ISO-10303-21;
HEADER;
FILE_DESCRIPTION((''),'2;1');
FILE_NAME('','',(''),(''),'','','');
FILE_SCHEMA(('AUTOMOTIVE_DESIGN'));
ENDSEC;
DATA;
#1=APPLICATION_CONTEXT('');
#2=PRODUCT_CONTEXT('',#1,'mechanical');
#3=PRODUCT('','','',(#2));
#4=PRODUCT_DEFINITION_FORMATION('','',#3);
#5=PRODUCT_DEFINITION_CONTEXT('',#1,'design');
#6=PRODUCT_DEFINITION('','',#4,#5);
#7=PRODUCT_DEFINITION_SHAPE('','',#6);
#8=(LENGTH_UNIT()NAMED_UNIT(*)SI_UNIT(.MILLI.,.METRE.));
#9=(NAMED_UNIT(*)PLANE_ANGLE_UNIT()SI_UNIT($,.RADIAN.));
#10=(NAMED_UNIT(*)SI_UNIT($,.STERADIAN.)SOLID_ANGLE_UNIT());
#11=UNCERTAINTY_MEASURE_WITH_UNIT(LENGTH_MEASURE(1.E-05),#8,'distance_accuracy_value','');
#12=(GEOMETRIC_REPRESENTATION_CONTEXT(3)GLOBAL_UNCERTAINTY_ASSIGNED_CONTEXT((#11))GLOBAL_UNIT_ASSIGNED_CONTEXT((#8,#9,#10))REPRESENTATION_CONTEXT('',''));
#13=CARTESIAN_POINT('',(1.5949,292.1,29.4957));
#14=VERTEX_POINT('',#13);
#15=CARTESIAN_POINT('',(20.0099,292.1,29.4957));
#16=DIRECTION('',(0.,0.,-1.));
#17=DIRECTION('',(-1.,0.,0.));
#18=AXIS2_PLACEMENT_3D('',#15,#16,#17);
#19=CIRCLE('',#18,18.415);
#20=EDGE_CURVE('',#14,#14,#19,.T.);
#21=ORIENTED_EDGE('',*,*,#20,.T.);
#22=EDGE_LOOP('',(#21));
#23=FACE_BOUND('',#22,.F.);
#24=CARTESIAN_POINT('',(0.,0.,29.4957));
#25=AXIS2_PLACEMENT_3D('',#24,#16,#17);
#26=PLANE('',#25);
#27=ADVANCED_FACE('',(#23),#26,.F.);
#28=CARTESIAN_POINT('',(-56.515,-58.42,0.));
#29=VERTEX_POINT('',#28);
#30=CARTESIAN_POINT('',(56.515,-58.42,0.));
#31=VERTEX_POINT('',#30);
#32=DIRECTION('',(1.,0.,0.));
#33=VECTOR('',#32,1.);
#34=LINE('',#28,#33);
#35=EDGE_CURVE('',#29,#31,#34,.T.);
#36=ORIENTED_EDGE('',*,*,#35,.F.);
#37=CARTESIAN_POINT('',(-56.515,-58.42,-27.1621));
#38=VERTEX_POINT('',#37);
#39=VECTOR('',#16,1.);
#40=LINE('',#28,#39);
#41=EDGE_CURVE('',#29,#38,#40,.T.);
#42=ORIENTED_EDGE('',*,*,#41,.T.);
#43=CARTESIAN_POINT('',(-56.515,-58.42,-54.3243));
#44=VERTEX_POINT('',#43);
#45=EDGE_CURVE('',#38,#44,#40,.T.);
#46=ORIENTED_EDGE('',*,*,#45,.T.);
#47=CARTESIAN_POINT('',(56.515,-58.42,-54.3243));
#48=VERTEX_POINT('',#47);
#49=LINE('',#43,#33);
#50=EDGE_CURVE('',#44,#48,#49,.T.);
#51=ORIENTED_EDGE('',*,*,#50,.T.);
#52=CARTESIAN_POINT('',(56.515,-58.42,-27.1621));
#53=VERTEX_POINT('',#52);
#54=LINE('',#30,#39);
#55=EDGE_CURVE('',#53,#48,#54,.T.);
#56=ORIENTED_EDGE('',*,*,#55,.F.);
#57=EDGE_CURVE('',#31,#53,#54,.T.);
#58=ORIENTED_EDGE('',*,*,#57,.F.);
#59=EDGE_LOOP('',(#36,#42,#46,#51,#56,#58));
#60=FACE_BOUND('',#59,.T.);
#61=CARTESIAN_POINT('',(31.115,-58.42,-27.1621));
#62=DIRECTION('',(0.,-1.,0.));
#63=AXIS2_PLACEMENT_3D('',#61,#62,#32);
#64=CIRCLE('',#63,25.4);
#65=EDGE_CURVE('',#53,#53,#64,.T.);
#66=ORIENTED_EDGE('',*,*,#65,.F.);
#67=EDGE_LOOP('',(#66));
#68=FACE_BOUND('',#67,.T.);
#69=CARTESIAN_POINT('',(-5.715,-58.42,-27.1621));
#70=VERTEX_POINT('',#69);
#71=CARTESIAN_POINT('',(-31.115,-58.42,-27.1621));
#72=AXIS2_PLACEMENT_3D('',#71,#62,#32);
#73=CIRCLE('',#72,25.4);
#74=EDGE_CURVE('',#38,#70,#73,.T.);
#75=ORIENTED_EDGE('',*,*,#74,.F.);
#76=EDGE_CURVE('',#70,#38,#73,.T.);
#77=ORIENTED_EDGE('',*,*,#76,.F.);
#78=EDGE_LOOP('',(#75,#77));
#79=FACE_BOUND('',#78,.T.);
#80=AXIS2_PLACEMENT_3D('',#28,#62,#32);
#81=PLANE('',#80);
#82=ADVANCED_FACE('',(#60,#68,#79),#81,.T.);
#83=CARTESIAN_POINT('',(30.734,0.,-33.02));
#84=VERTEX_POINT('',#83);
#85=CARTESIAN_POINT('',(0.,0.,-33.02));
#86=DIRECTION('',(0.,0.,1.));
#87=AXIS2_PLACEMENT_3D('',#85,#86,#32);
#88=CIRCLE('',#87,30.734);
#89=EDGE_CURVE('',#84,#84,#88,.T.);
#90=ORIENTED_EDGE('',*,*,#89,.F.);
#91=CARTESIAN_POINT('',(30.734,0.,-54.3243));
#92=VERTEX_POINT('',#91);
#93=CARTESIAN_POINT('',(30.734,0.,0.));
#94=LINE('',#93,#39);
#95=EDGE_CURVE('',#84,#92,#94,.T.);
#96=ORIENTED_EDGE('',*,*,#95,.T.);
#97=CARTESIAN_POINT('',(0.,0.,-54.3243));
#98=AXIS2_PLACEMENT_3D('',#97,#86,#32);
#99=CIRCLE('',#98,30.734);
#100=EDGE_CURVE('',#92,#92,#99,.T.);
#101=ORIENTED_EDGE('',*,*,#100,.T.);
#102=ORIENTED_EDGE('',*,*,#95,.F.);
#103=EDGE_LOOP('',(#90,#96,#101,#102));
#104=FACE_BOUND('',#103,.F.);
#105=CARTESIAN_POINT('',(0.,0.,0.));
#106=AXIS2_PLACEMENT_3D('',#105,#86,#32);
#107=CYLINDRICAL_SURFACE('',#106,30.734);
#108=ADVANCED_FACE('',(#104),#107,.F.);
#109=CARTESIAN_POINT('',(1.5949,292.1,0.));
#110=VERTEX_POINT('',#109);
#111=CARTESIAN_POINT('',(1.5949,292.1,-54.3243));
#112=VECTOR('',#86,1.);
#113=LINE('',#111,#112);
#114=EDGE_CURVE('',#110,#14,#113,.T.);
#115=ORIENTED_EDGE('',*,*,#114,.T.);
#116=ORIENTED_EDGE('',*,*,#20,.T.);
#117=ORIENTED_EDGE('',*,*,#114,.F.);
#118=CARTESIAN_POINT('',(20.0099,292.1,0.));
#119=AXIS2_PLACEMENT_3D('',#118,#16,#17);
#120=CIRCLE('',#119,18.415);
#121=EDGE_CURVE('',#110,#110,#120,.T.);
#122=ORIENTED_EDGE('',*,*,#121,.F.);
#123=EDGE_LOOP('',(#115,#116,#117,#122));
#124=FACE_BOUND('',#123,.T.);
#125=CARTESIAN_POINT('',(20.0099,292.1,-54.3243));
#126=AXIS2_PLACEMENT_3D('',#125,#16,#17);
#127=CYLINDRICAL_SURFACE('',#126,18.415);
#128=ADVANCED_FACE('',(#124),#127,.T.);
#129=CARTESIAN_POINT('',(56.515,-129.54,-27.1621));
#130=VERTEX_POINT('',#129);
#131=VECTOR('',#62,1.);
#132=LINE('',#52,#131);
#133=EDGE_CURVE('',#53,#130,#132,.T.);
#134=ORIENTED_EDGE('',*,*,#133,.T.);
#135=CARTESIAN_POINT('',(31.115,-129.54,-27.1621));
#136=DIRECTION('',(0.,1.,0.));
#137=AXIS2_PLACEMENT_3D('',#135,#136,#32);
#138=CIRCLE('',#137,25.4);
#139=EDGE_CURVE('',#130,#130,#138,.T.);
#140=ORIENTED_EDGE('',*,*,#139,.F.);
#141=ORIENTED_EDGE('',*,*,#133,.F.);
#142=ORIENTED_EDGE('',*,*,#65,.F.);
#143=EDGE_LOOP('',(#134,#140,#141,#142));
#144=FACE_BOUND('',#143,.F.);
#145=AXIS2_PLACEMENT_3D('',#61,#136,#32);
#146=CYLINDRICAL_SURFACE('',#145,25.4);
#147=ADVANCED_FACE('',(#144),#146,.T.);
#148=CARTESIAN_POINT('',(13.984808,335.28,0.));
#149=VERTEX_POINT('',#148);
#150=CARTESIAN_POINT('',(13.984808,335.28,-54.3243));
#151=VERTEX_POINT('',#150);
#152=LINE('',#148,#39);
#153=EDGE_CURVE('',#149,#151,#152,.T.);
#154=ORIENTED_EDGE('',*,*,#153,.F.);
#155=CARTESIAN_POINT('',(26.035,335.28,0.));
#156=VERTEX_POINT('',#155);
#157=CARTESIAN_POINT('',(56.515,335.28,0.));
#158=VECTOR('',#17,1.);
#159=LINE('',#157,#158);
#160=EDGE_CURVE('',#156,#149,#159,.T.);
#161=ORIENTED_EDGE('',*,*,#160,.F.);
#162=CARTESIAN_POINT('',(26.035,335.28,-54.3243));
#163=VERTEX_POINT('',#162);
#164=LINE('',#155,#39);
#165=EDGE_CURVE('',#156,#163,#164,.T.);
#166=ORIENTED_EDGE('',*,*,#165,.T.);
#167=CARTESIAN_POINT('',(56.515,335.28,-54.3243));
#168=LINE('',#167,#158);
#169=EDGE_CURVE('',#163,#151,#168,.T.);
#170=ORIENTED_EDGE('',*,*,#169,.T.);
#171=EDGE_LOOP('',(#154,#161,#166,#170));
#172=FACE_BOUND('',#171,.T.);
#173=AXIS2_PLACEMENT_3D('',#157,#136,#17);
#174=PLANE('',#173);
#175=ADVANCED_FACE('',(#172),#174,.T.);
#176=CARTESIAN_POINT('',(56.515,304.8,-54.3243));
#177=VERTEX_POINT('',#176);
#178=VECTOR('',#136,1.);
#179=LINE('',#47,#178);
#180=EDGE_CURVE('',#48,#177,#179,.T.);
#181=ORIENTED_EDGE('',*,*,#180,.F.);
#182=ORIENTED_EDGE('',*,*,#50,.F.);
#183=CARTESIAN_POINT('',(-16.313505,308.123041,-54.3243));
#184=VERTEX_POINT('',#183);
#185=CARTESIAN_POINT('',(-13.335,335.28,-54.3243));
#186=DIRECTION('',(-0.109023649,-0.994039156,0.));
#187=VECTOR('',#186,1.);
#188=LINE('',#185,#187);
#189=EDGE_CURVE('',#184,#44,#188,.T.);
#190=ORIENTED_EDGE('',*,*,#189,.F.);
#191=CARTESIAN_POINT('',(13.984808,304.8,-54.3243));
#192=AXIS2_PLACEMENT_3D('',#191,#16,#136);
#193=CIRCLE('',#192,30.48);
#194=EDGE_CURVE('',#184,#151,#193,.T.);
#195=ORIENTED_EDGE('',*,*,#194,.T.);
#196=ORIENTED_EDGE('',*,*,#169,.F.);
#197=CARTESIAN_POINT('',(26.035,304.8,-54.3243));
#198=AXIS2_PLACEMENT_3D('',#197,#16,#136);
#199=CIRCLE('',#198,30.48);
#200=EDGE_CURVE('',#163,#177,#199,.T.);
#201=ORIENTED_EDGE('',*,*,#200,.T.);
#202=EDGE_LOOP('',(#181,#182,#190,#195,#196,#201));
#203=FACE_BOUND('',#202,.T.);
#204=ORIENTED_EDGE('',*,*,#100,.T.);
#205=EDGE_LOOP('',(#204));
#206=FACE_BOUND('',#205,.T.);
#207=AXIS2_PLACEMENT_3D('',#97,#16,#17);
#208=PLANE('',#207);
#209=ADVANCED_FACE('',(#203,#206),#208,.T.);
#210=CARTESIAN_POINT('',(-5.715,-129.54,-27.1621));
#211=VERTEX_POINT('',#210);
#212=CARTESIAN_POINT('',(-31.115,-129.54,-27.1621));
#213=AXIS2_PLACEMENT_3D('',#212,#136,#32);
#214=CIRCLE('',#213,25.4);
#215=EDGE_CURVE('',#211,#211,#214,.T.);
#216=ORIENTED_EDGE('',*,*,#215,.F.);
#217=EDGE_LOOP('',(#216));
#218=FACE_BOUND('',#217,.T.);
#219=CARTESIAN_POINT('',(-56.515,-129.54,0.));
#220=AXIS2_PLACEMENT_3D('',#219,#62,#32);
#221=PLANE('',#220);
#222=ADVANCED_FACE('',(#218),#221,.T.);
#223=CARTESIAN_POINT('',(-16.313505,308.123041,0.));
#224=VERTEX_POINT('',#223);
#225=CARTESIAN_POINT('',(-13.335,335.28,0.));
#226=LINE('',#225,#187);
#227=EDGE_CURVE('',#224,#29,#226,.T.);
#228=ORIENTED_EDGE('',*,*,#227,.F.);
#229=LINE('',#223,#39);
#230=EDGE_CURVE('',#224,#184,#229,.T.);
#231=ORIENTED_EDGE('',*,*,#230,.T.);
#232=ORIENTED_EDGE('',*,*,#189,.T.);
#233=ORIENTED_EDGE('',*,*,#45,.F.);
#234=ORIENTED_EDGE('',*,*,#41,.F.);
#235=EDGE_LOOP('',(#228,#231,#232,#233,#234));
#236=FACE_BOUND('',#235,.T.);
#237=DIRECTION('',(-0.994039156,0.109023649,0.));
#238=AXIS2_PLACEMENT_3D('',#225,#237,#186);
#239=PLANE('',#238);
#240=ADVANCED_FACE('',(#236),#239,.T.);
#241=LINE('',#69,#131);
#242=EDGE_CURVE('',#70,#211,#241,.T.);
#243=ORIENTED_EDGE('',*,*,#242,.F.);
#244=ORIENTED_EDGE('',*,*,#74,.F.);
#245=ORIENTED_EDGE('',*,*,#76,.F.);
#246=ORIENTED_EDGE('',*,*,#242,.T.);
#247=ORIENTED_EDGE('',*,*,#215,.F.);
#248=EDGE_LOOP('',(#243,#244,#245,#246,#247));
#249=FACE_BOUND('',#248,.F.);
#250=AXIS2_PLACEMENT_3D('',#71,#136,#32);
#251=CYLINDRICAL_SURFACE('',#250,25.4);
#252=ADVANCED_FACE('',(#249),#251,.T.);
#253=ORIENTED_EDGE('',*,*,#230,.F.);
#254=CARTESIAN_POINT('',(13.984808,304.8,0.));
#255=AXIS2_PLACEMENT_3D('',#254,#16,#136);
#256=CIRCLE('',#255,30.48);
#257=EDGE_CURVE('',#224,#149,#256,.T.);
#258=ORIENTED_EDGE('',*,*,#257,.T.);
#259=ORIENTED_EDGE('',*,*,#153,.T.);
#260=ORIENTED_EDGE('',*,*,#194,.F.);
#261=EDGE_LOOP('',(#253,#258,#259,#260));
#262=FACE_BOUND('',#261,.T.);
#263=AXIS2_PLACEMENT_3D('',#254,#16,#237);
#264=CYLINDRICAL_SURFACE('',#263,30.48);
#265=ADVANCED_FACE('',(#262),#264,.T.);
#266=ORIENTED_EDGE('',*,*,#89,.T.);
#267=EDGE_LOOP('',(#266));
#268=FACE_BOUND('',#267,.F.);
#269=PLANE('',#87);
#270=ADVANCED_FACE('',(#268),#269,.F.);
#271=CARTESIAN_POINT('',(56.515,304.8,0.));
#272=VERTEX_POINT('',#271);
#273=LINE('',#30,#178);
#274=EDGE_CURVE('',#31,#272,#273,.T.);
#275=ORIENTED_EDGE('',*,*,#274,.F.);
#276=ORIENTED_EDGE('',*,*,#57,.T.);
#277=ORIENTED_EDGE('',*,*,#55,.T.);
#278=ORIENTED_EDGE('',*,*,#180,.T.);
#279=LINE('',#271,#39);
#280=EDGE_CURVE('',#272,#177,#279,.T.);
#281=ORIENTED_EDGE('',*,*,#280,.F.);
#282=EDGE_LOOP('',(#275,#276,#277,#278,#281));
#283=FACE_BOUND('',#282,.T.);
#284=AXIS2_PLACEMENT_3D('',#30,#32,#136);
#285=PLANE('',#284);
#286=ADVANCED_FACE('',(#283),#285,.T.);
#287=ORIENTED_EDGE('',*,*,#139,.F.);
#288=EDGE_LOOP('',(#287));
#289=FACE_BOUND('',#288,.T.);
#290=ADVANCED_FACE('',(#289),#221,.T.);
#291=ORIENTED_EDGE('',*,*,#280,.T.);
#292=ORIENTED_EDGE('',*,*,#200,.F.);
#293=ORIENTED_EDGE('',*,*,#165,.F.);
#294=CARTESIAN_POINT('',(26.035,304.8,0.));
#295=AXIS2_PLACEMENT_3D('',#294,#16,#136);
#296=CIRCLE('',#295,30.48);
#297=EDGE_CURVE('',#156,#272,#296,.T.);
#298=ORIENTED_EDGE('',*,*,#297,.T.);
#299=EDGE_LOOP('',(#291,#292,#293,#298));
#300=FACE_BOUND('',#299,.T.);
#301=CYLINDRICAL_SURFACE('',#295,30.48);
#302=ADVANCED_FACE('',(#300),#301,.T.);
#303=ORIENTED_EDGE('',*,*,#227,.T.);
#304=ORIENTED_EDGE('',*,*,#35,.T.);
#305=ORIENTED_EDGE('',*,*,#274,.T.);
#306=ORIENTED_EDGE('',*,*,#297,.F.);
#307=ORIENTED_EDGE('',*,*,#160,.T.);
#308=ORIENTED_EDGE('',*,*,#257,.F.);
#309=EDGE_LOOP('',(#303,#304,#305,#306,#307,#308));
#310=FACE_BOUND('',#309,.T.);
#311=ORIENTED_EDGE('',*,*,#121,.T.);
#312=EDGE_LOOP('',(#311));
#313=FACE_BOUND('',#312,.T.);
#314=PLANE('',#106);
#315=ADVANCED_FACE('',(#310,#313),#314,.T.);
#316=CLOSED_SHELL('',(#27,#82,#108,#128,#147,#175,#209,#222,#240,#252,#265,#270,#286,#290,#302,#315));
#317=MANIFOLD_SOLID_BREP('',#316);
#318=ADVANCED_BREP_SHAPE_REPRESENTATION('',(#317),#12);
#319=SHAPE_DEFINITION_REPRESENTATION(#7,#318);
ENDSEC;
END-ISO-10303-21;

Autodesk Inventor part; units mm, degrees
ref_plane "YZ Plane" through (0, 0, 0) normal (1, 0, 0) x (0, 1, 0)
ref_plane "XZ Plane" through (0, 0, 0) normal (0, 1, 0) x (-1, 0, 0)
ref_plane "XY Plane" through (0, 0, 0) normal (0, 0, 1) x (1, 0, 0)
sketch "Sketch1" plane through (0, 0, 0) normal (0, 0, 1) x (1, 0, 0)
  circle A0 centre (0, 0) radius 30.734
  line L0 (-56.515, -58.42) -> (56.515, -58.42)
  line L1 (56.515, -58.42) -> (56.515, 335.28)
  line L2 (56.515, 335.28) -> (-13.335, 335.28)
  line L3 (-13.335, 335.28) -> (-56.515, -58.42)
  dimension "d0" = 61.468
  dimension "d1" = 393.7
  dimension "d2" = 113.03
  dimension "d3" = 69.85
  dimension "d4" = 58.42
  dimension "d5" = 56.515
extrude "Extrusion1" add sketch "Sketch1" against normal blind 54.3243
fillet "Fillet1" radius 30.48 2 edges at (56.515, 335.28, -27.1621) (-13.335, 335.28, -27.1621)
sketch "Sketch2" plane through (-56.515, -58.42, 0) normal (0, -1, 0) x (1, 0, 0)
  line L0 (113.03, 0) -> (113.03, -54.3243) projected
  line L1 (113.03, -27.1621) -> (0, -27.1621)
  line L2 (0, 0) -> (0, -54.3243) projected
  line L3 (56.515, -27.1621) -> (56.515, -44.3071)
  circle A0 centre (87.63, -27.1621) radius 25.4
  circle A1 centre (25.4, -27.1621) radius 25.4
  point P0 (56.515, 0)
  dimension "d10" = 50.8
  dimension "d9" = 50.8
  dimension "d11" = 113.03
extrude "Extrusion2" add sketch "Sketch2" along normal blind 71.12
sketch "Sketch3" plane through (0, 0, 0) normal (0, 0, 1) x (1, 0, 0)
  circle A0 centre (0, 0) radius 42.7153
extrude "Extrusion3" add sketch "Sketch3" against normal blind 33.02
sketch "Sketch4" plane through (0, 0, -54.3243) normal (0, 0, -1) x (-1, 0, 0)
  line L0 (-26.035, 335.28) -> (-13.9848, 335.28) projected
  line L1 (-20.0099, 335.28) -> (-20.0099, 292.1)
  circle A0 centre (-20.0099, 292.1) radius 18.415
  point P0 (0, 0)
  dimension "d17" = 36.83
  dimension "d20" = 292.1
extrude "Extrusion4" add sketch "Sketch4" against normal blind 83.82
equation "\"d5\" = 0.5 * d2"
equation "\"d10\" = d9"
properties part number "Forearm"
